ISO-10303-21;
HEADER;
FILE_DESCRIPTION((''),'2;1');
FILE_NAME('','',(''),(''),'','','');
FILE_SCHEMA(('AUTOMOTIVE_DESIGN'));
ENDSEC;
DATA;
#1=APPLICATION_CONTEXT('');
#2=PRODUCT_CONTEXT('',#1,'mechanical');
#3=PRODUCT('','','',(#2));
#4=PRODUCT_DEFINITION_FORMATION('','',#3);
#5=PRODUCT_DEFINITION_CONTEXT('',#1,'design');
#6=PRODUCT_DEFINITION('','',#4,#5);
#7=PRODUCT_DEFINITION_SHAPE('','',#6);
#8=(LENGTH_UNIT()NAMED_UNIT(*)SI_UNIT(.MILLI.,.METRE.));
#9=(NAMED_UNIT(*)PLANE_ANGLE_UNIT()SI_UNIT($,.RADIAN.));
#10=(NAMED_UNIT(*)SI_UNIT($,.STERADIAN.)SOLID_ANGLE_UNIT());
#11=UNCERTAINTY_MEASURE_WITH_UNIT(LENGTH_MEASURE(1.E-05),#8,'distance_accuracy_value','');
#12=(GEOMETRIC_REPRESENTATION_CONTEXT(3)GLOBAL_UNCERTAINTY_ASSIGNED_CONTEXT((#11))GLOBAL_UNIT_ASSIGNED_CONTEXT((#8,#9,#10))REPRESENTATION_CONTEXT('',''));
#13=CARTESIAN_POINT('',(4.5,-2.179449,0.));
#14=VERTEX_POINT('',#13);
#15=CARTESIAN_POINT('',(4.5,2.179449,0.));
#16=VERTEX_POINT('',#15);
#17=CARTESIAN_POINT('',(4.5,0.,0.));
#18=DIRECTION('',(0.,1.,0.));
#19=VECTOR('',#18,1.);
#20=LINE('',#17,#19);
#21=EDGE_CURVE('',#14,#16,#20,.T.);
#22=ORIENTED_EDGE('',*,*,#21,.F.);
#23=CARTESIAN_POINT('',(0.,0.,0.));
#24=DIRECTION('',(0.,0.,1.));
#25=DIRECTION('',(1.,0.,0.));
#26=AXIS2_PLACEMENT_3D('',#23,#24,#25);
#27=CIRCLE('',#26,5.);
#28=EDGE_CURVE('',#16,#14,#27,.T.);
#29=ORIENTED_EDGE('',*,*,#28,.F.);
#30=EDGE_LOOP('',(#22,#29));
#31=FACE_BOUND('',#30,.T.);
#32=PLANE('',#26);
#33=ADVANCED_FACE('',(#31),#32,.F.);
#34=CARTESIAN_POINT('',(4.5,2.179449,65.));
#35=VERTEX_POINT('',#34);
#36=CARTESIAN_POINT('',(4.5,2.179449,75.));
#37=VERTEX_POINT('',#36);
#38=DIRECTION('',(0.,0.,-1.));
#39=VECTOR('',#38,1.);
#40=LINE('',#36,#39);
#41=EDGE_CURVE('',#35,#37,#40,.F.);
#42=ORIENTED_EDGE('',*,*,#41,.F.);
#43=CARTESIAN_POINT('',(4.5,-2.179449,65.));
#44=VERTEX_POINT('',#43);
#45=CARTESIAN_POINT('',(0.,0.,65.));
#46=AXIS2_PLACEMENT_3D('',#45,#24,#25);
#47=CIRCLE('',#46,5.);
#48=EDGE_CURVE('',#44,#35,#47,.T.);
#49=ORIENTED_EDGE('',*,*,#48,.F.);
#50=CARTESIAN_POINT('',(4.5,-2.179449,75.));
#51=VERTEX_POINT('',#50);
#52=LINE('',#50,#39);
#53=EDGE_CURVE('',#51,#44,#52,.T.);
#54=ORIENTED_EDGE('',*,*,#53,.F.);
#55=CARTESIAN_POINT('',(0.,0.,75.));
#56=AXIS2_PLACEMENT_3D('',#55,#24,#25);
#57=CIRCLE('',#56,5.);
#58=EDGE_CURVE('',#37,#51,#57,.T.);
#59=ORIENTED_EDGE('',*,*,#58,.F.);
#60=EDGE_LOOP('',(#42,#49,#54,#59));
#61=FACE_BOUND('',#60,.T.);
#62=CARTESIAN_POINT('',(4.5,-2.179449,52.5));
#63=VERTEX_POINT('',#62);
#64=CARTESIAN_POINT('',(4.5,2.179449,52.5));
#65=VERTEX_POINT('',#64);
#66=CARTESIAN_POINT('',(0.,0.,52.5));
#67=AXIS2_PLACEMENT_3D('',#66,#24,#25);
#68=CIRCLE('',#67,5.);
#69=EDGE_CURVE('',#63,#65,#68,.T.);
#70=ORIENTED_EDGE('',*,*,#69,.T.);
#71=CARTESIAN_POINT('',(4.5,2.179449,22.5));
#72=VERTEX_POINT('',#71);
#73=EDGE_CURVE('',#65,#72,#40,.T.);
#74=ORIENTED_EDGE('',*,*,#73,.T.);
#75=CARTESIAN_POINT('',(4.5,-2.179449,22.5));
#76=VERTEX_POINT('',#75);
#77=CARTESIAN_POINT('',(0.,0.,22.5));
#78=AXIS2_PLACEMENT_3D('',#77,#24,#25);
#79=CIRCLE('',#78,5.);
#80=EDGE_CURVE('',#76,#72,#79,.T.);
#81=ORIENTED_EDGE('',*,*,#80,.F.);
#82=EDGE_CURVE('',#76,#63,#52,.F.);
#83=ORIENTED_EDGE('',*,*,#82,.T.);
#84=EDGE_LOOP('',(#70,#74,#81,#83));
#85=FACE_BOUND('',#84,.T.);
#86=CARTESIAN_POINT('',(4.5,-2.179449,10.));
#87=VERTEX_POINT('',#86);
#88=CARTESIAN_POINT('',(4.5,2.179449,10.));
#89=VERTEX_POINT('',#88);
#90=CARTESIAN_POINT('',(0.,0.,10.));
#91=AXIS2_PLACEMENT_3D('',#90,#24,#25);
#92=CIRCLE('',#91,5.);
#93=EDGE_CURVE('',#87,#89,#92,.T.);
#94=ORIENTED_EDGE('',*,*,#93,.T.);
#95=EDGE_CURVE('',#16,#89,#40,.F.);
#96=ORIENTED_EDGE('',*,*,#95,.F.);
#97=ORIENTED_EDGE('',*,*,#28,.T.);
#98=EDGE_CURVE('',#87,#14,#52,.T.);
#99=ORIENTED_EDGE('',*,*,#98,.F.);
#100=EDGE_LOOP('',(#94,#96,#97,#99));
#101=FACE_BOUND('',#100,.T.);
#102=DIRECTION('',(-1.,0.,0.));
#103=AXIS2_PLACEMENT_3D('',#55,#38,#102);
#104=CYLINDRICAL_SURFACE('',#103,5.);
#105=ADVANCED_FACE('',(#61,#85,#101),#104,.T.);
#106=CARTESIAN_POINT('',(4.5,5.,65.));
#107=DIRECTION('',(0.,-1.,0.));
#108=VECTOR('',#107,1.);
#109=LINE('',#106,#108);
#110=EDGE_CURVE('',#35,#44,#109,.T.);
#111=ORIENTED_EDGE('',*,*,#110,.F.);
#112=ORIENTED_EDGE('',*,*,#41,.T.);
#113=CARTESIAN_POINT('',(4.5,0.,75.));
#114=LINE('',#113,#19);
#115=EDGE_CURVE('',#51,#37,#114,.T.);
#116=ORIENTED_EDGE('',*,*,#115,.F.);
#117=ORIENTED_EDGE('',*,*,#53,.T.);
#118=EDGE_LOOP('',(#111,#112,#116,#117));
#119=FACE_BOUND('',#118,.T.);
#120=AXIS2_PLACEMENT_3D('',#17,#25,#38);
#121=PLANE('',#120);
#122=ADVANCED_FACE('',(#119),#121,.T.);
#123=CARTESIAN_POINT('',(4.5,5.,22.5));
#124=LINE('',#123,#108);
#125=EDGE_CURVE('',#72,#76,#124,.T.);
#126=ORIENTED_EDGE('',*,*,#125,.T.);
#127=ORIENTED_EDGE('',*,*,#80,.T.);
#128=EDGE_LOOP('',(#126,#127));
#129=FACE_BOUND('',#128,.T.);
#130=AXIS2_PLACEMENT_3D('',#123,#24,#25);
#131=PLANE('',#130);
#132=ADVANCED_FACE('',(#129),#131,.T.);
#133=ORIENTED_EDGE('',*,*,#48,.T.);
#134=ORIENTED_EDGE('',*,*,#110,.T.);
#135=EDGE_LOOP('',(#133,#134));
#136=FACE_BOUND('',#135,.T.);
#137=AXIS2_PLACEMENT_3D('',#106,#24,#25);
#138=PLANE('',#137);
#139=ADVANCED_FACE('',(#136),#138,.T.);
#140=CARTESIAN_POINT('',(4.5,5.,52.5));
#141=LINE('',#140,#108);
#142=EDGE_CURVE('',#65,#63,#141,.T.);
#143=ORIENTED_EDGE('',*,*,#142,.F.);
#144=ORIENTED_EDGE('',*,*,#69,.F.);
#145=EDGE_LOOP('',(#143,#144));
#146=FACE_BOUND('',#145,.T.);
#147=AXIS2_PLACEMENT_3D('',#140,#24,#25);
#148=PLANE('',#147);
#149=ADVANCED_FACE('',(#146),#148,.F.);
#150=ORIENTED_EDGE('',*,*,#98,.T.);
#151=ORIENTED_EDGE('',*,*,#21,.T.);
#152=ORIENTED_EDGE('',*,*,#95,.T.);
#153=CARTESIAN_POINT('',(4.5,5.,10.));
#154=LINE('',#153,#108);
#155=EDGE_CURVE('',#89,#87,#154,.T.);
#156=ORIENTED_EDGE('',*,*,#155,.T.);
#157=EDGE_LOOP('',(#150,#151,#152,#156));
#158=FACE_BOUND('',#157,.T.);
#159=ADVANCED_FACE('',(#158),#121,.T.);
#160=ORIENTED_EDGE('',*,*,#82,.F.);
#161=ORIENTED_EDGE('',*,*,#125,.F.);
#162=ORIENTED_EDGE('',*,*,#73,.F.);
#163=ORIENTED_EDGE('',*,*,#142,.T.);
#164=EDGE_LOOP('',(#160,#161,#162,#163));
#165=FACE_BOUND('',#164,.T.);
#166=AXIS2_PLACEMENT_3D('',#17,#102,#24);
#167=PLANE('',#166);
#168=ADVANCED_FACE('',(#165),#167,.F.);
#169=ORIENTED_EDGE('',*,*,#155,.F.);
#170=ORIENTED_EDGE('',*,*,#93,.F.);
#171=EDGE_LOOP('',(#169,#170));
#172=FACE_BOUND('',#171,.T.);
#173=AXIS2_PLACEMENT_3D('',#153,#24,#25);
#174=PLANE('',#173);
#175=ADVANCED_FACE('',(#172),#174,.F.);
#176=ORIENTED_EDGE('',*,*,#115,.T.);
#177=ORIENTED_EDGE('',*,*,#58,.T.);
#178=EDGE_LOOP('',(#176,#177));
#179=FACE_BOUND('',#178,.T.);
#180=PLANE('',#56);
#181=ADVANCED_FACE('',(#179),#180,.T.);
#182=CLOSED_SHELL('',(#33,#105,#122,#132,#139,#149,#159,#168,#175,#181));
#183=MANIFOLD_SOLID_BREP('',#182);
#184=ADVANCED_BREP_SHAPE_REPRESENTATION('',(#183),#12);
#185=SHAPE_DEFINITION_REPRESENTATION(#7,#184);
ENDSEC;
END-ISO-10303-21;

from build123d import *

# Parameters (mm, degrees)
SKETCH_1_R          = 5
EXTRUDE_1_DEPTH     = 75
SKETCH_2_W          = 30
SKETCH_2_H          = 10
SKETCH_2_W_2        = 10
CUT_EXTRUDE_1_DEPTH = 0.5


with BuildPart() as part:
    # 草图1 → 凸台-拉伸1 (new body)
    with BuildSketch(Plane.XY):
        Circle(SKETCH_1_R)
    extrude(amount=EXTRUDE_1_DEPTH)

    # 草图2 → 切除-拉伸1 (cut)
    with BuildSketch(Plane(origin=(5, 0, 0), x_dir=(0, 0, -1), z_dir=(1, 0, 0))):
        with Locations((-37.5, 0)):
            Rectangle(SKETCH_2_W, SKETCH_2_H)
        with Locations((-70, 0)):
            Rectangle(SKETCH_2_W_2, SKETCH_2_H)
        with Locations((-5, 0)):
            Rectangle(SKETCH_2_W_2, SKETCH_2_H)
    extrude(amount=-CUT_EXTRUDE_1_DEPTH, mode=Mode.SUBTRACT)


solid = part.part
